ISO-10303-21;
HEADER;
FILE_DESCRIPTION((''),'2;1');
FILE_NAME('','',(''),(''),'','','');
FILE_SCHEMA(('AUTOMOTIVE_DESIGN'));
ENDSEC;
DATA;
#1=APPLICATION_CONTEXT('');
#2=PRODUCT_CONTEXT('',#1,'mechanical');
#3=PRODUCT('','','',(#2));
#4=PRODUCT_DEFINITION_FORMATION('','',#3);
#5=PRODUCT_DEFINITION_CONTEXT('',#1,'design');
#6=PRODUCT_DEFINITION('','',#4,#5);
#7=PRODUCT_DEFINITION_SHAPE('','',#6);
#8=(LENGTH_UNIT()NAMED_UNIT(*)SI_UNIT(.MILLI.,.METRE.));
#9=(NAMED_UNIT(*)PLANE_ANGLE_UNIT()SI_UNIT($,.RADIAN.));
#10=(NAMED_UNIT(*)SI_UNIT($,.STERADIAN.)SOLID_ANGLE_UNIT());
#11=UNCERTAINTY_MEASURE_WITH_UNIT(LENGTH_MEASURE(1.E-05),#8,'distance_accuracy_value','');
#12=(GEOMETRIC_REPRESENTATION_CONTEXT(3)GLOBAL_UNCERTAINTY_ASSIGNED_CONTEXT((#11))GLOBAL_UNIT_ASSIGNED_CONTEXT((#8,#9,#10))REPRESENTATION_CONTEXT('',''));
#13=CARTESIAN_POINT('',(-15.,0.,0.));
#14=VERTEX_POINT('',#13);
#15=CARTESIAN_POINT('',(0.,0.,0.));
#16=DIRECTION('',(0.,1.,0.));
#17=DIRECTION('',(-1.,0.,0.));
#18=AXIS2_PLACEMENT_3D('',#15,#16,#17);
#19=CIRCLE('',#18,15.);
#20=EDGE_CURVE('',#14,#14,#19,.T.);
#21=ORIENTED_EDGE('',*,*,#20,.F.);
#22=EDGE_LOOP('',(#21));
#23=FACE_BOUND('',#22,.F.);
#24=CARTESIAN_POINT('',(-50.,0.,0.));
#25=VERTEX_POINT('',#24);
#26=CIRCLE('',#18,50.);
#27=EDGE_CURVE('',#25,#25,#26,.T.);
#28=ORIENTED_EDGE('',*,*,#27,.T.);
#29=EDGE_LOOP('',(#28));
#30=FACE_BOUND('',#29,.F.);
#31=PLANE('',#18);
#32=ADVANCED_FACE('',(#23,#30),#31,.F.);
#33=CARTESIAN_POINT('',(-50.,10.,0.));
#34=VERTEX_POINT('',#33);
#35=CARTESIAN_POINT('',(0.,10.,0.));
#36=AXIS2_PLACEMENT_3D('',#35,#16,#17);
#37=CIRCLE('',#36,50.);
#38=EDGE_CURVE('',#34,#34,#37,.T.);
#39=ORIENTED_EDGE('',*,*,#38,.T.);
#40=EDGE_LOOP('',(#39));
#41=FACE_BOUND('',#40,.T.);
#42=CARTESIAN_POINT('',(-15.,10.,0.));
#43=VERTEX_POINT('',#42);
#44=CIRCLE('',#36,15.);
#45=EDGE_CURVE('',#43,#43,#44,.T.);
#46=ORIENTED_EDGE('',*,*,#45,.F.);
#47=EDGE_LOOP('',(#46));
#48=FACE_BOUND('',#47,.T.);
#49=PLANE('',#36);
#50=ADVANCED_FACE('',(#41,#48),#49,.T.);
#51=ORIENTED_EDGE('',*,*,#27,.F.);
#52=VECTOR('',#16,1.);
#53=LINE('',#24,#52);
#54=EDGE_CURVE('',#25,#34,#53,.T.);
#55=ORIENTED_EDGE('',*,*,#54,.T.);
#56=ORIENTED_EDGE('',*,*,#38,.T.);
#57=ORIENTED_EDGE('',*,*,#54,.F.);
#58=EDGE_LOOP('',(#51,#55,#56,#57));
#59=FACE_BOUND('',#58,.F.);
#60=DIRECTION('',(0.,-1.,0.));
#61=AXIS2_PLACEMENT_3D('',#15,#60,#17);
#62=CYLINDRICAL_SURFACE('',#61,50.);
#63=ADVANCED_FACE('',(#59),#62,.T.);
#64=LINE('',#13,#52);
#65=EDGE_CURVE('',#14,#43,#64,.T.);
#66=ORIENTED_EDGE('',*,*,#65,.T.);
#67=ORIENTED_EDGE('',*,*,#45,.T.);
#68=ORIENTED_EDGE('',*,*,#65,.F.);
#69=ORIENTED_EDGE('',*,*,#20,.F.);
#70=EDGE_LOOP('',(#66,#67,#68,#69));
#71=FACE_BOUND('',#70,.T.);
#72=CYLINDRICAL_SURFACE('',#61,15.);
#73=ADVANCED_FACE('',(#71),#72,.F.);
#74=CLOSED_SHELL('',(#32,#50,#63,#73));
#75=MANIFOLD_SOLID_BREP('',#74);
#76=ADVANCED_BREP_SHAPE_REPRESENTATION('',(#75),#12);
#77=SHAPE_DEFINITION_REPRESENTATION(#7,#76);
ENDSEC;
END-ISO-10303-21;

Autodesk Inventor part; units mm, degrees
ref_plane "YZ Plane" through (0, 0, 0) normal (1, 0, 0) x (0, 1, 0)
ref_plane "XZ Plane" through (0, 0, 0) normal (0, 1, 0) x (-1, 0, 0)
ref_plane "XY Plane" through (0, 0, 0) normal (0, 0, 1) x (1, 0, 0)
sketch "Esboço1" plane through (0, 0, 0) normal (0, 1, 0) x (-1, 0, 0)
  circle A0 centre (0, 0) radius 50
  circle A1 centre (0, 0) radius 15
  dimension "d0" = 100
  dimension "d1" = 30
extrude "Extrusão1" add sketch "Esboço1" along normal blind 10
properties part number "Roda"
